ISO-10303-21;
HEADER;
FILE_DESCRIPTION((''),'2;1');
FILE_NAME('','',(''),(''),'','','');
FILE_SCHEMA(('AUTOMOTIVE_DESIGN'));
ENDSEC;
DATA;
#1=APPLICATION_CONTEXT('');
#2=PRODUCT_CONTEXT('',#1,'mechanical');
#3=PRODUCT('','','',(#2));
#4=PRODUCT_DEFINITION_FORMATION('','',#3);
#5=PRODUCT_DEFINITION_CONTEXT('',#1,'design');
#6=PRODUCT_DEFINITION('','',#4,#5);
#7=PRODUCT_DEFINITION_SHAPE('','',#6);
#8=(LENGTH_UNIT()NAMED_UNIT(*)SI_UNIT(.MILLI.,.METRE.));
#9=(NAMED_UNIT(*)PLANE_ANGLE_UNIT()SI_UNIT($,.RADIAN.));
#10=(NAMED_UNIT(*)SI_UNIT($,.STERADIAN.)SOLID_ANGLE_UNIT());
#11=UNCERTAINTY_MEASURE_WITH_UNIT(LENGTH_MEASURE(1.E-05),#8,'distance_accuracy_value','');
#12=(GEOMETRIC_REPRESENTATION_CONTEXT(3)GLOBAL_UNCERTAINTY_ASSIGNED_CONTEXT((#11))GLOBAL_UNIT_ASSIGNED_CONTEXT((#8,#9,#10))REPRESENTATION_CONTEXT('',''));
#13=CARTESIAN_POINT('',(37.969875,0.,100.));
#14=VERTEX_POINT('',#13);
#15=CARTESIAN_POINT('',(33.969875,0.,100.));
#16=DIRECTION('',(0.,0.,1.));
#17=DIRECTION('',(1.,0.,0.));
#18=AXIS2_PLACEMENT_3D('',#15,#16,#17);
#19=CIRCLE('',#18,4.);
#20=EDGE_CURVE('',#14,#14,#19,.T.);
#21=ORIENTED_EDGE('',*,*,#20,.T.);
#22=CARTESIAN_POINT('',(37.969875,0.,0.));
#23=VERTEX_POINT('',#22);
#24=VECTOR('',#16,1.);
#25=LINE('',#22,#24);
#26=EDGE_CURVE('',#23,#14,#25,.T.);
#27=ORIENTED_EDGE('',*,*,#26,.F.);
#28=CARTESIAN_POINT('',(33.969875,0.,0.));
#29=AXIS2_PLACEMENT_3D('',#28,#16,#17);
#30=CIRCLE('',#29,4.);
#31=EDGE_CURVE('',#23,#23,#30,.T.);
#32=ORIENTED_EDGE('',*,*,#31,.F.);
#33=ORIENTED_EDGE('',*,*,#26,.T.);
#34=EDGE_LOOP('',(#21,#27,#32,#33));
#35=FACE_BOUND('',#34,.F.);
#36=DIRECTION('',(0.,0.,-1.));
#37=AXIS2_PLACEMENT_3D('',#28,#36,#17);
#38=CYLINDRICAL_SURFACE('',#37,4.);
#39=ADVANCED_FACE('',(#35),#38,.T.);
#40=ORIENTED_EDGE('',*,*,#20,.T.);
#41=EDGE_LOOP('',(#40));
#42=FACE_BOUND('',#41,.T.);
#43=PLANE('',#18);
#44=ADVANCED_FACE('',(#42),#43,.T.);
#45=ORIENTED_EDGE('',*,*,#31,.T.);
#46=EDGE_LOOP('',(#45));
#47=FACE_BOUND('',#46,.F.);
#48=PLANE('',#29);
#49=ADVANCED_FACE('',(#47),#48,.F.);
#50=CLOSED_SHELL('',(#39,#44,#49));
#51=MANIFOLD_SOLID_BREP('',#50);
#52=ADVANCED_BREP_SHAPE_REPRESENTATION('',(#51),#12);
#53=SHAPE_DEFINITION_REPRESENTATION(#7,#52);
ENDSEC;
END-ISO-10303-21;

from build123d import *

# Parameters (mm, degrees)
ESQUISSE1_R        = 4
BOSS_EXTRU_1_DEPTH = 100


with BuildPart() as part:
    # Esquisse1 → Boss.-Extru.1 (new body)
    with BuildSketch(Plane.XY):
        with Locations((33.96987509, 0)):
            Circle(ESQUISSE1_R)
    extrude(amount=BOSS_EXTRU_1_DEPTH)


solid = part.part
